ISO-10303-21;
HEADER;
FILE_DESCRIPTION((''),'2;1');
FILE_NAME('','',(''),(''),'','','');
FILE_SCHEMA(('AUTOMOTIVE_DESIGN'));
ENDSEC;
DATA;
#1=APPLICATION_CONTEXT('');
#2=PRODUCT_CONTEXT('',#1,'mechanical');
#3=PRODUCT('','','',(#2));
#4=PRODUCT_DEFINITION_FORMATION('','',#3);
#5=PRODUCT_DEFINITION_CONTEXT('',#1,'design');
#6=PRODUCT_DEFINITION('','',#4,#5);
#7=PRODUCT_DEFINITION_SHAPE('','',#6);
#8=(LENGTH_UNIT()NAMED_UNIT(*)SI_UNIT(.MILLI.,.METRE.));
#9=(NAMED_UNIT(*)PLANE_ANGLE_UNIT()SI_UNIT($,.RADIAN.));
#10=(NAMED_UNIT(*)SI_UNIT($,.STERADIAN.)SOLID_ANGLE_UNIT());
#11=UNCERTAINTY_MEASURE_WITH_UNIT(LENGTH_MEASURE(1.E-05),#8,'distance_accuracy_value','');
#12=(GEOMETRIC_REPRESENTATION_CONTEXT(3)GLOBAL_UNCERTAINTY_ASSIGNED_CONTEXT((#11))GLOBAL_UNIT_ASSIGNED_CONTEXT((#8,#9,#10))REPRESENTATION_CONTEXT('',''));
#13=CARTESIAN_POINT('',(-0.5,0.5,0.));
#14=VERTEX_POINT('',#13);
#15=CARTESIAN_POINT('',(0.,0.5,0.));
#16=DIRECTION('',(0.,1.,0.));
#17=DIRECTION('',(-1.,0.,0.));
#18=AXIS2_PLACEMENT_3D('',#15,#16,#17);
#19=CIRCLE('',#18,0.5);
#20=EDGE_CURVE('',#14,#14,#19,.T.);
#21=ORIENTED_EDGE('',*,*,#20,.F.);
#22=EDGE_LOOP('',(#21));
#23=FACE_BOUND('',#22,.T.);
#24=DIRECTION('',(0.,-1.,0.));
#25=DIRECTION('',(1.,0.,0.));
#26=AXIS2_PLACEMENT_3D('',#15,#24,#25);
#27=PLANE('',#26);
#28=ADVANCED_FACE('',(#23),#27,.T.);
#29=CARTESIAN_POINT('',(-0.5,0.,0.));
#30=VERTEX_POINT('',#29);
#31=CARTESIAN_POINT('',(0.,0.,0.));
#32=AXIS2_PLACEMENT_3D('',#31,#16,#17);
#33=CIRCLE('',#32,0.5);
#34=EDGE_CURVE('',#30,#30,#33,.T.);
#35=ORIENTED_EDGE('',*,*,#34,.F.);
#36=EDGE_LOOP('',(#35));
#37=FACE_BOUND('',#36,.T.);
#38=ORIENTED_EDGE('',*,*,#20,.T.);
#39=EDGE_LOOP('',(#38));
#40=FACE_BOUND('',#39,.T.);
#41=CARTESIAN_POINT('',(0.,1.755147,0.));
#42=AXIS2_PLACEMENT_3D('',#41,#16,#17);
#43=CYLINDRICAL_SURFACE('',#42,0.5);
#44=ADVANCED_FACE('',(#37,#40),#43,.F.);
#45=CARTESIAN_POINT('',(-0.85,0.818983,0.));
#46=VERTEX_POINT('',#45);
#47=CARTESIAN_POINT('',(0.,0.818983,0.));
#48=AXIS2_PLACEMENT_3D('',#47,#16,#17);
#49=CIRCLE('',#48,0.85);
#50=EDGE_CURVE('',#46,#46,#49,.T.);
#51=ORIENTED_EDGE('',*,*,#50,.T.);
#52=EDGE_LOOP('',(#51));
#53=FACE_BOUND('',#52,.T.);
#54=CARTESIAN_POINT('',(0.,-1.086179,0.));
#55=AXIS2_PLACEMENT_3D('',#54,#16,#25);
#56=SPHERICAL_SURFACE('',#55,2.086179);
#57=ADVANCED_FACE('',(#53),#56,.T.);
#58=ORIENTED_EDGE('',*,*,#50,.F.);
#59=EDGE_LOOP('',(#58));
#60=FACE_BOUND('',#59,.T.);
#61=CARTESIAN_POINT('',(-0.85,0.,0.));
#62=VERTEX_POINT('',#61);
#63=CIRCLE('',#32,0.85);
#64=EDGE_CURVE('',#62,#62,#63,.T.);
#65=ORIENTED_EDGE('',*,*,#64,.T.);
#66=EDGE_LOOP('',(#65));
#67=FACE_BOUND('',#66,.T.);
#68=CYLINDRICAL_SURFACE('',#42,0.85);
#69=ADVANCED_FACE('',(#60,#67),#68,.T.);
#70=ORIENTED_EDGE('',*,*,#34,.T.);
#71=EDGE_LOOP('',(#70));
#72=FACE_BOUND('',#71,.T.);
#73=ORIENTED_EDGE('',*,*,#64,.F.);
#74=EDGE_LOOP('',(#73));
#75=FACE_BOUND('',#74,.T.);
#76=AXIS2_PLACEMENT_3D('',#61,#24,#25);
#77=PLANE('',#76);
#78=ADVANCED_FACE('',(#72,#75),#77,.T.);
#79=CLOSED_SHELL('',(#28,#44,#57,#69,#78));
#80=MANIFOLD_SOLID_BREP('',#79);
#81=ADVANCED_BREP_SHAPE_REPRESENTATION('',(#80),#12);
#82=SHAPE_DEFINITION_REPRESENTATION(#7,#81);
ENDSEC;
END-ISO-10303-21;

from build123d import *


with BuildPart() as part:
    # 草圖1 → 旋轉1 (revolve)
    with BuildSketch(Plane.XY):
        with BuildLine():
            Line((0, 0.5), (0, 1))
            ThreePointArc((0, 1), (-0.434530519, 0.954244016), (-0.85, 0.818983187))
            Line((-0.85, 0.818983187), (-0.85, 0))
            Line((-0.85, 0), (-0.5, 0))
            Line((-0.5, 0), (-0.5, 0.5))
            Line((-0.5, 0.5), (0, 0.5))
        make_face()
    revolve(axis=Axis((0, 1.755147141, 0), (0, -1, 0)))


solid = part.part
